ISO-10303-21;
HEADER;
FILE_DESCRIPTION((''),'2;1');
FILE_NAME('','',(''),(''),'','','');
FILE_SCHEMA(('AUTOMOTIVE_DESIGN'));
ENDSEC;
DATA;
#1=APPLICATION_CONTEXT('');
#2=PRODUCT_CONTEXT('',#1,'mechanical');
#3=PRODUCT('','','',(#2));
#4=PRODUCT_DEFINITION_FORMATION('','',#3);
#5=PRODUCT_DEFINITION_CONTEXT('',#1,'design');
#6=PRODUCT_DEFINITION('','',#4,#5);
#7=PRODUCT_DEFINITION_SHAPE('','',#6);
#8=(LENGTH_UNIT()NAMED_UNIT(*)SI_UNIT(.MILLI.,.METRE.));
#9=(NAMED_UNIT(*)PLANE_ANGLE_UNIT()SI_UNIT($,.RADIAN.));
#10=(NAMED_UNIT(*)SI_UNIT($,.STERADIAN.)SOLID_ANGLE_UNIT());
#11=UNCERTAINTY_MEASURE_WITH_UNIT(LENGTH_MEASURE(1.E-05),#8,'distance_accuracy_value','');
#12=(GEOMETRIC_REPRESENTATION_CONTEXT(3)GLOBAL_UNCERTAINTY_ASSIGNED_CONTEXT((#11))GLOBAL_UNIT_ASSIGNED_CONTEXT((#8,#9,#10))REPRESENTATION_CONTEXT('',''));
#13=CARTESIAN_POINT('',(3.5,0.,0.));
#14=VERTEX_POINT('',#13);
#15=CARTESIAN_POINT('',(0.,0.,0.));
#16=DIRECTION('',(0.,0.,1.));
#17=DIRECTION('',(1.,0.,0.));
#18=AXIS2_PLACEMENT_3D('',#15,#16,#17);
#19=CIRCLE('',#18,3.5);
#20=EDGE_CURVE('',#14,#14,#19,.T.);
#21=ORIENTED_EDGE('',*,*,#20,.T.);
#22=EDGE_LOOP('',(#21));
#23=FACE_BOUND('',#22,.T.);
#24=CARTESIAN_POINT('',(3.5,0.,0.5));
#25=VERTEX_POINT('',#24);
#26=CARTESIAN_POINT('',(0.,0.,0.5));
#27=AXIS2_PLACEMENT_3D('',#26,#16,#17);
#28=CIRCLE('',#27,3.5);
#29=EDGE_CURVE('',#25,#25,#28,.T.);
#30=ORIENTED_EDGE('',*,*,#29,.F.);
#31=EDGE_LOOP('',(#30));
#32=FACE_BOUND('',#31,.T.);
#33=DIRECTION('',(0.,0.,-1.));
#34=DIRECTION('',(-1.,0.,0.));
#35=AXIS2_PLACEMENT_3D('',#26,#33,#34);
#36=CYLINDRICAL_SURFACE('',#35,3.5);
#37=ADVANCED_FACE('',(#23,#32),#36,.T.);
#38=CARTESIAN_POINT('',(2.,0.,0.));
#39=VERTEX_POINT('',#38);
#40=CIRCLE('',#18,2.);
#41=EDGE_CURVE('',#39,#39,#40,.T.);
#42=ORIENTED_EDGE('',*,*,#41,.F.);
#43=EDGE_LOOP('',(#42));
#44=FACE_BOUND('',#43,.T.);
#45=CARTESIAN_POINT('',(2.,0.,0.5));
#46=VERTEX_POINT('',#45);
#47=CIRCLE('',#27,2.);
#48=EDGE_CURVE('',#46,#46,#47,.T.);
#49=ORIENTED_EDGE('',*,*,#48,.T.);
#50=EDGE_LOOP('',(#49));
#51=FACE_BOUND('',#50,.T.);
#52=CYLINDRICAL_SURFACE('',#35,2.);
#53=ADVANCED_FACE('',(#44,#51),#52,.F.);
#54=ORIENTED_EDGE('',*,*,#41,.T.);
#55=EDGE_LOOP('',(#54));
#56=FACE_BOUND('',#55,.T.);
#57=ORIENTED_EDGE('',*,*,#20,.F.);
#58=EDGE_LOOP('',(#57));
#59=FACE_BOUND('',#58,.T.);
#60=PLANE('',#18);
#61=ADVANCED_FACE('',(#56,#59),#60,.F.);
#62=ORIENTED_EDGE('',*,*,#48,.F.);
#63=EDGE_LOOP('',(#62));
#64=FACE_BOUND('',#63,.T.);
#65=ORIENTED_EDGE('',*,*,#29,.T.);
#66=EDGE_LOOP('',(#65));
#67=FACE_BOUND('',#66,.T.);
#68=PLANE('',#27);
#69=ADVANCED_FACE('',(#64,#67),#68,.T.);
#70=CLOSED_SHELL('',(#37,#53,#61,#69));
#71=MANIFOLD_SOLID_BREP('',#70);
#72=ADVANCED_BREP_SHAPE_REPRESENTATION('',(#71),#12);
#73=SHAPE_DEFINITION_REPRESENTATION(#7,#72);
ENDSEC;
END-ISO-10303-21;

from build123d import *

# Parameters (mm, degrees)
SKETCH_1_R      = 3.5
SKETCH_1_R_2    = 2
EXTRUDE_1_DEPTH = 0.5


with BuildPart() as part:
    # 草图1 → 凸台-拉伸1 (new body)
    with BuildSketch(Plane.XY):
        Circle(SKETCH_1_R)
        Circle(SKETCH_1_R_2, mode=Mode.SUBTRACT)
    extrude(amount=EXTRUDE_1_DEPTH)


solid = part.part
